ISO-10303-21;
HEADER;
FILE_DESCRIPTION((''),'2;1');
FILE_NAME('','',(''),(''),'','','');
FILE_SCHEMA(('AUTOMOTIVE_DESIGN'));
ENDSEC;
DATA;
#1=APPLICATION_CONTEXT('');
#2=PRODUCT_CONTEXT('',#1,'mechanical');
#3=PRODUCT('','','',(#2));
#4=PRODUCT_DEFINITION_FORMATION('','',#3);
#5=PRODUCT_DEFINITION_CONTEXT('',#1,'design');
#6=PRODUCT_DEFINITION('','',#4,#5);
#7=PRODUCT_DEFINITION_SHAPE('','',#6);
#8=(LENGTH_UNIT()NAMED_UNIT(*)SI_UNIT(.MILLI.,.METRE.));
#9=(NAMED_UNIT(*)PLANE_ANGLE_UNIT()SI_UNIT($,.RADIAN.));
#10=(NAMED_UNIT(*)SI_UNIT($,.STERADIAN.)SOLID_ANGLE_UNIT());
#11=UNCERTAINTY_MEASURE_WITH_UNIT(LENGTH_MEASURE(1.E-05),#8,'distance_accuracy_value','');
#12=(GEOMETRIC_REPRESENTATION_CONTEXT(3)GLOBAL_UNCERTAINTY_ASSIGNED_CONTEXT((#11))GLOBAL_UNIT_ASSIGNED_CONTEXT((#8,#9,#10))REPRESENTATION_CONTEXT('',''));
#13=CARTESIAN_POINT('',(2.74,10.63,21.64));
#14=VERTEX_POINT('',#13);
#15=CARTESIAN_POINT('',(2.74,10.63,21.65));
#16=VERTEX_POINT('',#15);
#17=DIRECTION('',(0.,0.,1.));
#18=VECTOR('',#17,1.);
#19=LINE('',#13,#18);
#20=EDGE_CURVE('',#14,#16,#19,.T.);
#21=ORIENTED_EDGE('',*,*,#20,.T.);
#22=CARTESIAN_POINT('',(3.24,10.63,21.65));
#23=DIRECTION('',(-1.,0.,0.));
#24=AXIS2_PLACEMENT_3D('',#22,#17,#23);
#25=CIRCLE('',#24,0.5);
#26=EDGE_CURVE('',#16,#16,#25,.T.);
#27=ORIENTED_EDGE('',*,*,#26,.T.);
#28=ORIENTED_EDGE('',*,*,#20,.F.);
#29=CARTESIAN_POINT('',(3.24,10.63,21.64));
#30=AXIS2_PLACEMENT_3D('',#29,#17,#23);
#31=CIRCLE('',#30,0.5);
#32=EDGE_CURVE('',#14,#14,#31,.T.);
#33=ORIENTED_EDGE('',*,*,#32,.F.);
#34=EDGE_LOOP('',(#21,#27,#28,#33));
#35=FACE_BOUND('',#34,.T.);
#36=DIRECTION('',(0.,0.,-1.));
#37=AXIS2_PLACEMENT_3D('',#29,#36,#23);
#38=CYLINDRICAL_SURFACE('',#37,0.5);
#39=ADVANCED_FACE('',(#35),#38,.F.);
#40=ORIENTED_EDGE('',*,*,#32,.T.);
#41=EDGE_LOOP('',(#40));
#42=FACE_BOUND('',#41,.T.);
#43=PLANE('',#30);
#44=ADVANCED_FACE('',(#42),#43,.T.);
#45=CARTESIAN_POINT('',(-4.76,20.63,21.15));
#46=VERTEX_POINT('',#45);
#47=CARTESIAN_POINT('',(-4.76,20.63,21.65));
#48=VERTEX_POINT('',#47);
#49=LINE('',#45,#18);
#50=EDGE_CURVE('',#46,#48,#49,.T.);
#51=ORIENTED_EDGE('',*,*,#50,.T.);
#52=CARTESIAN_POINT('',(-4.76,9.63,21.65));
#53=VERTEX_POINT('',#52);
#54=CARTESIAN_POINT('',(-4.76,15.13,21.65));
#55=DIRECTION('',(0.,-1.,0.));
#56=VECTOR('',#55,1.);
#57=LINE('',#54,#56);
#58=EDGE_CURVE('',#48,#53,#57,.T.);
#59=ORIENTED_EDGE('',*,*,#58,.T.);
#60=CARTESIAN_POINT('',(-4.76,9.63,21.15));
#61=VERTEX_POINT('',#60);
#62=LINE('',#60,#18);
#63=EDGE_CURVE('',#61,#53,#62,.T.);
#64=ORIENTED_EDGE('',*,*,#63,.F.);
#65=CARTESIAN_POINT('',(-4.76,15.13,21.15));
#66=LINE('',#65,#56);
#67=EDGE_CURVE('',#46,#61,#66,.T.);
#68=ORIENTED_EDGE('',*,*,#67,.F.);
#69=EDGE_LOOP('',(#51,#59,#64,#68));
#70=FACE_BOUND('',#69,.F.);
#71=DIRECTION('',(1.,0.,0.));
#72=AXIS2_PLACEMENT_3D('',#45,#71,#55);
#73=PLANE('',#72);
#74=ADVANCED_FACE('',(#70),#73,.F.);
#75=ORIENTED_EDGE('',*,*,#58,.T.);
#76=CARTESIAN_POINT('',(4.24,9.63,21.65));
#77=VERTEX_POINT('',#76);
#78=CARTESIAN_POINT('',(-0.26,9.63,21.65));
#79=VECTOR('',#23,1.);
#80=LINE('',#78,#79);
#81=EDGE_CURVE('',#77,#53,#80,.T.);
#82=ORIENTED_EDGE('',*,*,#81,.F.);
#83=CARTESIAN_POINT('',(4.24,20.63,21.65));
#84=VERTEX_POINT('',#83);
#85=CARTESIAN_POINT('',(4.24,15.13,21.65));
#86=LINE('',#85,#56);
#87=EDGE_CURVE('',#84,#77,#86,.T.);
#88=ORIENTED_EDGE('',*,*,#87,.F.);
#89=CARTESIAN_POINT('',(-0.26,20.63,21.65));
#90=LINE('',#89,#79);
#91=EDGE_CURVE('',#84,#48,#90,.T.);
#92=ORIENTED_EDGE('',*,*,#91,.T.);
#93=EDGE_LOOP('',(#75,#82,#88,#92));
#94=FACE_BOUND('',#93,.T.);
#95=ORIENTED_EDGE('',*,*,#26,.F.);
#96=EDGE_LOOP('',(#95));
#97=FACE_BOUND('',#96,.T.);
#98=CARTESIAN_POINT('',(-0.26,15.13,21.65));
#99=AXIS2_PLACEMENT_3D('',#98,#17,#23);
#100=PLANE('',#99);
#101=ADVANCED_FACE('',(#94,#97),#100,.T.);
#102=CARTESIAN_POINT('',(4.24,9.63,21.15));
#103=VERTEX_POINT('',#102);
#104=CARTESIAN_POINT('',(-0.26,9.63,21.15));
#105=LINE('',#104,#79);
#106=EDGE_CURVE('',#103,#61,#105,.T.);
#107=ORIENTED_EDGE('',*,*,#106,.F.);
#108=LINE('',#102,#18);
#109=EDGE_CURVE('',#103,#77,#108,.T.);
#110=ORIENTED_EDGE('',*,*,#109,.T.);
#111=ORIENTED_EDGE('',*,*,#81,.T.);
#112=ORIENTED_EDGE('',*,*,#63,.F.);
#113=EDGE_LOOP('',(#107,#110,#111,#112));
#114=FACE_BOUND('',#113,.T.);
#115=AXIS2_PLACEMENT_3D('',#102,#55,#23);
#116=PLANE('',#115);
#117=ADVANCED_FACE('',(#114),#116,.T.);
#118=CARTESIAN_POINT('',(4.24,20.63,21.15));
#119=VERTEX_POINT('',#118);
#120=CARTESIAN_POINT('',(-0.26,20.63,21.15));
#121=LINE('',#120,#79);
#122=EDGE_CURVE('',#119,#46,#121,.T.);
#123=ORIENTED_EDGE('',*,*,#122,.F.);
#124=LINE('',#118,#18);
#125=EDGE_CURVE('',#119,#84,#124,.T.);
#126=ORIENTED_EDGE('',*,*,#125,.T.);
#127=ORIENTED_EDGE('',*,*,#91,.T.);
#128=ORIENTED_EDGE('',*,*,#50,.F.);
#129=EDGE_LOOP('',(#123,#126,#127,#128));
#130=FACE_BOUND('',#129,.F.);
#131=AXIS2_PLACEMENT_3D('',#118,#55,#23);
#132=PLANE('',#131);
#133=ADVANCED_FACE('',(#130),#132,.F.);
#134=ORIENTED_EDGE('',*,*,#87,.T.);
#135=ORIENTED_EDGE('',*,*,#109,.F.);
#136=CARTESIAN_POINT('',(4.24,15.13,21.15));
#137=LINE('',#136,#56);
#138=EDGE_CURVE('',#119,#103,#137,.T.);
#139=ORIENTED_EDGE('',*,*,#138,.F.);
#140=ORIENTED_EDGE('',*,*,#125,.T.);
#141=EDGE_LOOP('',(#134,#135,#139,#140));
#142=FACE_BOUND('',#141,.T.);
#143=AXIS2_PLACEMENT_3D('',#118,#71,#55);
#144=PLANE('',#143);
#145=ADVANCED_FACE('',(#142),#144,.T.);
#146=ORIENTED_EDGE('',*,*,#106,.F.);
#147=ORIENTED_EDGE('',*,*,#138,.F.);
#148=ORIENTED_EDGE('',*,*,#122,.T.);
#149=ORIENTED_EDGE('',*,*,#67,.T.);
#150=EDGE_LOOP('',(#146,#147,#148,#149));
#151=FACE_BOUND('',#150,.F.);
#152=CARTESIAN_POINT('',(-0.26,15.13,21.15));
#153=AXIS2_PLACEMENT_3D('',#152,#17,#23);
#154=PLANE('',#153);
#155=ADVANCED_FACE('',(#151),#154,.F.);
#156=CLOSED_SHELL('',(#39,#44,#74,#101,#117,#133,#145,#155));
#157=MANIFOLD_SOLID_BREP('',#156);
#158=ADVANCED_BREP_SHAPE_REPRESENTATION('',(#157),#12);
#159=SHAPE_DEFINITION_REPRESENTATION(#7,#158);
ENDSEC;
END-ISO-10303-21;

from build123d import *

# Parameters (mm, degrees)
CYLINDER028_R          = 0.5
CYLINDER028_DEPTH      = 0.01
BOX073_W               = 9
BOX073_H               = 11
BOX073_DEPTH           = 0.5
CUT021_PLACEMENT_ANGLE = 180


with BuildPart() as cylinder028:
    # Cylinder028 → Cylinder028 (new body)
    with BuildSketch(Plane(origin=(1, 10, 0.49), x_dir=(1, 0, 0), z_dir=(0, 0, 1))):
        Circle(CYLINDER028_R)
    extrude(amount=CYLINDER028_DEPTH)


with BuildPart() as large_linbo3_plate015:
    # Box073 → Box073 (new body)
    with BuildSketch(Plane.XY):
        with Locations((4.5, 5.5)):
            Rectangle(BOX073_W, BOX073_H)
    extrude(amount=BOX073_DEPTH)

    # Cut021: cut Cylinder028
    add(cylinder028.part, mode=Mode.SUBTRACT)


with BuildPart() as large_linbo3_plate015_1:
    # Cut021 placement: moved
    add(large_linbo3_plate015.part.moved(Location((4.24, 20.63, 21.15))).rotate(Axis((4.24, 20.63, 21.15), (0, 0, 1)), CUT021_PLACEMENT_ANGLE))


solid = large_linbo3_plate015_1.part
